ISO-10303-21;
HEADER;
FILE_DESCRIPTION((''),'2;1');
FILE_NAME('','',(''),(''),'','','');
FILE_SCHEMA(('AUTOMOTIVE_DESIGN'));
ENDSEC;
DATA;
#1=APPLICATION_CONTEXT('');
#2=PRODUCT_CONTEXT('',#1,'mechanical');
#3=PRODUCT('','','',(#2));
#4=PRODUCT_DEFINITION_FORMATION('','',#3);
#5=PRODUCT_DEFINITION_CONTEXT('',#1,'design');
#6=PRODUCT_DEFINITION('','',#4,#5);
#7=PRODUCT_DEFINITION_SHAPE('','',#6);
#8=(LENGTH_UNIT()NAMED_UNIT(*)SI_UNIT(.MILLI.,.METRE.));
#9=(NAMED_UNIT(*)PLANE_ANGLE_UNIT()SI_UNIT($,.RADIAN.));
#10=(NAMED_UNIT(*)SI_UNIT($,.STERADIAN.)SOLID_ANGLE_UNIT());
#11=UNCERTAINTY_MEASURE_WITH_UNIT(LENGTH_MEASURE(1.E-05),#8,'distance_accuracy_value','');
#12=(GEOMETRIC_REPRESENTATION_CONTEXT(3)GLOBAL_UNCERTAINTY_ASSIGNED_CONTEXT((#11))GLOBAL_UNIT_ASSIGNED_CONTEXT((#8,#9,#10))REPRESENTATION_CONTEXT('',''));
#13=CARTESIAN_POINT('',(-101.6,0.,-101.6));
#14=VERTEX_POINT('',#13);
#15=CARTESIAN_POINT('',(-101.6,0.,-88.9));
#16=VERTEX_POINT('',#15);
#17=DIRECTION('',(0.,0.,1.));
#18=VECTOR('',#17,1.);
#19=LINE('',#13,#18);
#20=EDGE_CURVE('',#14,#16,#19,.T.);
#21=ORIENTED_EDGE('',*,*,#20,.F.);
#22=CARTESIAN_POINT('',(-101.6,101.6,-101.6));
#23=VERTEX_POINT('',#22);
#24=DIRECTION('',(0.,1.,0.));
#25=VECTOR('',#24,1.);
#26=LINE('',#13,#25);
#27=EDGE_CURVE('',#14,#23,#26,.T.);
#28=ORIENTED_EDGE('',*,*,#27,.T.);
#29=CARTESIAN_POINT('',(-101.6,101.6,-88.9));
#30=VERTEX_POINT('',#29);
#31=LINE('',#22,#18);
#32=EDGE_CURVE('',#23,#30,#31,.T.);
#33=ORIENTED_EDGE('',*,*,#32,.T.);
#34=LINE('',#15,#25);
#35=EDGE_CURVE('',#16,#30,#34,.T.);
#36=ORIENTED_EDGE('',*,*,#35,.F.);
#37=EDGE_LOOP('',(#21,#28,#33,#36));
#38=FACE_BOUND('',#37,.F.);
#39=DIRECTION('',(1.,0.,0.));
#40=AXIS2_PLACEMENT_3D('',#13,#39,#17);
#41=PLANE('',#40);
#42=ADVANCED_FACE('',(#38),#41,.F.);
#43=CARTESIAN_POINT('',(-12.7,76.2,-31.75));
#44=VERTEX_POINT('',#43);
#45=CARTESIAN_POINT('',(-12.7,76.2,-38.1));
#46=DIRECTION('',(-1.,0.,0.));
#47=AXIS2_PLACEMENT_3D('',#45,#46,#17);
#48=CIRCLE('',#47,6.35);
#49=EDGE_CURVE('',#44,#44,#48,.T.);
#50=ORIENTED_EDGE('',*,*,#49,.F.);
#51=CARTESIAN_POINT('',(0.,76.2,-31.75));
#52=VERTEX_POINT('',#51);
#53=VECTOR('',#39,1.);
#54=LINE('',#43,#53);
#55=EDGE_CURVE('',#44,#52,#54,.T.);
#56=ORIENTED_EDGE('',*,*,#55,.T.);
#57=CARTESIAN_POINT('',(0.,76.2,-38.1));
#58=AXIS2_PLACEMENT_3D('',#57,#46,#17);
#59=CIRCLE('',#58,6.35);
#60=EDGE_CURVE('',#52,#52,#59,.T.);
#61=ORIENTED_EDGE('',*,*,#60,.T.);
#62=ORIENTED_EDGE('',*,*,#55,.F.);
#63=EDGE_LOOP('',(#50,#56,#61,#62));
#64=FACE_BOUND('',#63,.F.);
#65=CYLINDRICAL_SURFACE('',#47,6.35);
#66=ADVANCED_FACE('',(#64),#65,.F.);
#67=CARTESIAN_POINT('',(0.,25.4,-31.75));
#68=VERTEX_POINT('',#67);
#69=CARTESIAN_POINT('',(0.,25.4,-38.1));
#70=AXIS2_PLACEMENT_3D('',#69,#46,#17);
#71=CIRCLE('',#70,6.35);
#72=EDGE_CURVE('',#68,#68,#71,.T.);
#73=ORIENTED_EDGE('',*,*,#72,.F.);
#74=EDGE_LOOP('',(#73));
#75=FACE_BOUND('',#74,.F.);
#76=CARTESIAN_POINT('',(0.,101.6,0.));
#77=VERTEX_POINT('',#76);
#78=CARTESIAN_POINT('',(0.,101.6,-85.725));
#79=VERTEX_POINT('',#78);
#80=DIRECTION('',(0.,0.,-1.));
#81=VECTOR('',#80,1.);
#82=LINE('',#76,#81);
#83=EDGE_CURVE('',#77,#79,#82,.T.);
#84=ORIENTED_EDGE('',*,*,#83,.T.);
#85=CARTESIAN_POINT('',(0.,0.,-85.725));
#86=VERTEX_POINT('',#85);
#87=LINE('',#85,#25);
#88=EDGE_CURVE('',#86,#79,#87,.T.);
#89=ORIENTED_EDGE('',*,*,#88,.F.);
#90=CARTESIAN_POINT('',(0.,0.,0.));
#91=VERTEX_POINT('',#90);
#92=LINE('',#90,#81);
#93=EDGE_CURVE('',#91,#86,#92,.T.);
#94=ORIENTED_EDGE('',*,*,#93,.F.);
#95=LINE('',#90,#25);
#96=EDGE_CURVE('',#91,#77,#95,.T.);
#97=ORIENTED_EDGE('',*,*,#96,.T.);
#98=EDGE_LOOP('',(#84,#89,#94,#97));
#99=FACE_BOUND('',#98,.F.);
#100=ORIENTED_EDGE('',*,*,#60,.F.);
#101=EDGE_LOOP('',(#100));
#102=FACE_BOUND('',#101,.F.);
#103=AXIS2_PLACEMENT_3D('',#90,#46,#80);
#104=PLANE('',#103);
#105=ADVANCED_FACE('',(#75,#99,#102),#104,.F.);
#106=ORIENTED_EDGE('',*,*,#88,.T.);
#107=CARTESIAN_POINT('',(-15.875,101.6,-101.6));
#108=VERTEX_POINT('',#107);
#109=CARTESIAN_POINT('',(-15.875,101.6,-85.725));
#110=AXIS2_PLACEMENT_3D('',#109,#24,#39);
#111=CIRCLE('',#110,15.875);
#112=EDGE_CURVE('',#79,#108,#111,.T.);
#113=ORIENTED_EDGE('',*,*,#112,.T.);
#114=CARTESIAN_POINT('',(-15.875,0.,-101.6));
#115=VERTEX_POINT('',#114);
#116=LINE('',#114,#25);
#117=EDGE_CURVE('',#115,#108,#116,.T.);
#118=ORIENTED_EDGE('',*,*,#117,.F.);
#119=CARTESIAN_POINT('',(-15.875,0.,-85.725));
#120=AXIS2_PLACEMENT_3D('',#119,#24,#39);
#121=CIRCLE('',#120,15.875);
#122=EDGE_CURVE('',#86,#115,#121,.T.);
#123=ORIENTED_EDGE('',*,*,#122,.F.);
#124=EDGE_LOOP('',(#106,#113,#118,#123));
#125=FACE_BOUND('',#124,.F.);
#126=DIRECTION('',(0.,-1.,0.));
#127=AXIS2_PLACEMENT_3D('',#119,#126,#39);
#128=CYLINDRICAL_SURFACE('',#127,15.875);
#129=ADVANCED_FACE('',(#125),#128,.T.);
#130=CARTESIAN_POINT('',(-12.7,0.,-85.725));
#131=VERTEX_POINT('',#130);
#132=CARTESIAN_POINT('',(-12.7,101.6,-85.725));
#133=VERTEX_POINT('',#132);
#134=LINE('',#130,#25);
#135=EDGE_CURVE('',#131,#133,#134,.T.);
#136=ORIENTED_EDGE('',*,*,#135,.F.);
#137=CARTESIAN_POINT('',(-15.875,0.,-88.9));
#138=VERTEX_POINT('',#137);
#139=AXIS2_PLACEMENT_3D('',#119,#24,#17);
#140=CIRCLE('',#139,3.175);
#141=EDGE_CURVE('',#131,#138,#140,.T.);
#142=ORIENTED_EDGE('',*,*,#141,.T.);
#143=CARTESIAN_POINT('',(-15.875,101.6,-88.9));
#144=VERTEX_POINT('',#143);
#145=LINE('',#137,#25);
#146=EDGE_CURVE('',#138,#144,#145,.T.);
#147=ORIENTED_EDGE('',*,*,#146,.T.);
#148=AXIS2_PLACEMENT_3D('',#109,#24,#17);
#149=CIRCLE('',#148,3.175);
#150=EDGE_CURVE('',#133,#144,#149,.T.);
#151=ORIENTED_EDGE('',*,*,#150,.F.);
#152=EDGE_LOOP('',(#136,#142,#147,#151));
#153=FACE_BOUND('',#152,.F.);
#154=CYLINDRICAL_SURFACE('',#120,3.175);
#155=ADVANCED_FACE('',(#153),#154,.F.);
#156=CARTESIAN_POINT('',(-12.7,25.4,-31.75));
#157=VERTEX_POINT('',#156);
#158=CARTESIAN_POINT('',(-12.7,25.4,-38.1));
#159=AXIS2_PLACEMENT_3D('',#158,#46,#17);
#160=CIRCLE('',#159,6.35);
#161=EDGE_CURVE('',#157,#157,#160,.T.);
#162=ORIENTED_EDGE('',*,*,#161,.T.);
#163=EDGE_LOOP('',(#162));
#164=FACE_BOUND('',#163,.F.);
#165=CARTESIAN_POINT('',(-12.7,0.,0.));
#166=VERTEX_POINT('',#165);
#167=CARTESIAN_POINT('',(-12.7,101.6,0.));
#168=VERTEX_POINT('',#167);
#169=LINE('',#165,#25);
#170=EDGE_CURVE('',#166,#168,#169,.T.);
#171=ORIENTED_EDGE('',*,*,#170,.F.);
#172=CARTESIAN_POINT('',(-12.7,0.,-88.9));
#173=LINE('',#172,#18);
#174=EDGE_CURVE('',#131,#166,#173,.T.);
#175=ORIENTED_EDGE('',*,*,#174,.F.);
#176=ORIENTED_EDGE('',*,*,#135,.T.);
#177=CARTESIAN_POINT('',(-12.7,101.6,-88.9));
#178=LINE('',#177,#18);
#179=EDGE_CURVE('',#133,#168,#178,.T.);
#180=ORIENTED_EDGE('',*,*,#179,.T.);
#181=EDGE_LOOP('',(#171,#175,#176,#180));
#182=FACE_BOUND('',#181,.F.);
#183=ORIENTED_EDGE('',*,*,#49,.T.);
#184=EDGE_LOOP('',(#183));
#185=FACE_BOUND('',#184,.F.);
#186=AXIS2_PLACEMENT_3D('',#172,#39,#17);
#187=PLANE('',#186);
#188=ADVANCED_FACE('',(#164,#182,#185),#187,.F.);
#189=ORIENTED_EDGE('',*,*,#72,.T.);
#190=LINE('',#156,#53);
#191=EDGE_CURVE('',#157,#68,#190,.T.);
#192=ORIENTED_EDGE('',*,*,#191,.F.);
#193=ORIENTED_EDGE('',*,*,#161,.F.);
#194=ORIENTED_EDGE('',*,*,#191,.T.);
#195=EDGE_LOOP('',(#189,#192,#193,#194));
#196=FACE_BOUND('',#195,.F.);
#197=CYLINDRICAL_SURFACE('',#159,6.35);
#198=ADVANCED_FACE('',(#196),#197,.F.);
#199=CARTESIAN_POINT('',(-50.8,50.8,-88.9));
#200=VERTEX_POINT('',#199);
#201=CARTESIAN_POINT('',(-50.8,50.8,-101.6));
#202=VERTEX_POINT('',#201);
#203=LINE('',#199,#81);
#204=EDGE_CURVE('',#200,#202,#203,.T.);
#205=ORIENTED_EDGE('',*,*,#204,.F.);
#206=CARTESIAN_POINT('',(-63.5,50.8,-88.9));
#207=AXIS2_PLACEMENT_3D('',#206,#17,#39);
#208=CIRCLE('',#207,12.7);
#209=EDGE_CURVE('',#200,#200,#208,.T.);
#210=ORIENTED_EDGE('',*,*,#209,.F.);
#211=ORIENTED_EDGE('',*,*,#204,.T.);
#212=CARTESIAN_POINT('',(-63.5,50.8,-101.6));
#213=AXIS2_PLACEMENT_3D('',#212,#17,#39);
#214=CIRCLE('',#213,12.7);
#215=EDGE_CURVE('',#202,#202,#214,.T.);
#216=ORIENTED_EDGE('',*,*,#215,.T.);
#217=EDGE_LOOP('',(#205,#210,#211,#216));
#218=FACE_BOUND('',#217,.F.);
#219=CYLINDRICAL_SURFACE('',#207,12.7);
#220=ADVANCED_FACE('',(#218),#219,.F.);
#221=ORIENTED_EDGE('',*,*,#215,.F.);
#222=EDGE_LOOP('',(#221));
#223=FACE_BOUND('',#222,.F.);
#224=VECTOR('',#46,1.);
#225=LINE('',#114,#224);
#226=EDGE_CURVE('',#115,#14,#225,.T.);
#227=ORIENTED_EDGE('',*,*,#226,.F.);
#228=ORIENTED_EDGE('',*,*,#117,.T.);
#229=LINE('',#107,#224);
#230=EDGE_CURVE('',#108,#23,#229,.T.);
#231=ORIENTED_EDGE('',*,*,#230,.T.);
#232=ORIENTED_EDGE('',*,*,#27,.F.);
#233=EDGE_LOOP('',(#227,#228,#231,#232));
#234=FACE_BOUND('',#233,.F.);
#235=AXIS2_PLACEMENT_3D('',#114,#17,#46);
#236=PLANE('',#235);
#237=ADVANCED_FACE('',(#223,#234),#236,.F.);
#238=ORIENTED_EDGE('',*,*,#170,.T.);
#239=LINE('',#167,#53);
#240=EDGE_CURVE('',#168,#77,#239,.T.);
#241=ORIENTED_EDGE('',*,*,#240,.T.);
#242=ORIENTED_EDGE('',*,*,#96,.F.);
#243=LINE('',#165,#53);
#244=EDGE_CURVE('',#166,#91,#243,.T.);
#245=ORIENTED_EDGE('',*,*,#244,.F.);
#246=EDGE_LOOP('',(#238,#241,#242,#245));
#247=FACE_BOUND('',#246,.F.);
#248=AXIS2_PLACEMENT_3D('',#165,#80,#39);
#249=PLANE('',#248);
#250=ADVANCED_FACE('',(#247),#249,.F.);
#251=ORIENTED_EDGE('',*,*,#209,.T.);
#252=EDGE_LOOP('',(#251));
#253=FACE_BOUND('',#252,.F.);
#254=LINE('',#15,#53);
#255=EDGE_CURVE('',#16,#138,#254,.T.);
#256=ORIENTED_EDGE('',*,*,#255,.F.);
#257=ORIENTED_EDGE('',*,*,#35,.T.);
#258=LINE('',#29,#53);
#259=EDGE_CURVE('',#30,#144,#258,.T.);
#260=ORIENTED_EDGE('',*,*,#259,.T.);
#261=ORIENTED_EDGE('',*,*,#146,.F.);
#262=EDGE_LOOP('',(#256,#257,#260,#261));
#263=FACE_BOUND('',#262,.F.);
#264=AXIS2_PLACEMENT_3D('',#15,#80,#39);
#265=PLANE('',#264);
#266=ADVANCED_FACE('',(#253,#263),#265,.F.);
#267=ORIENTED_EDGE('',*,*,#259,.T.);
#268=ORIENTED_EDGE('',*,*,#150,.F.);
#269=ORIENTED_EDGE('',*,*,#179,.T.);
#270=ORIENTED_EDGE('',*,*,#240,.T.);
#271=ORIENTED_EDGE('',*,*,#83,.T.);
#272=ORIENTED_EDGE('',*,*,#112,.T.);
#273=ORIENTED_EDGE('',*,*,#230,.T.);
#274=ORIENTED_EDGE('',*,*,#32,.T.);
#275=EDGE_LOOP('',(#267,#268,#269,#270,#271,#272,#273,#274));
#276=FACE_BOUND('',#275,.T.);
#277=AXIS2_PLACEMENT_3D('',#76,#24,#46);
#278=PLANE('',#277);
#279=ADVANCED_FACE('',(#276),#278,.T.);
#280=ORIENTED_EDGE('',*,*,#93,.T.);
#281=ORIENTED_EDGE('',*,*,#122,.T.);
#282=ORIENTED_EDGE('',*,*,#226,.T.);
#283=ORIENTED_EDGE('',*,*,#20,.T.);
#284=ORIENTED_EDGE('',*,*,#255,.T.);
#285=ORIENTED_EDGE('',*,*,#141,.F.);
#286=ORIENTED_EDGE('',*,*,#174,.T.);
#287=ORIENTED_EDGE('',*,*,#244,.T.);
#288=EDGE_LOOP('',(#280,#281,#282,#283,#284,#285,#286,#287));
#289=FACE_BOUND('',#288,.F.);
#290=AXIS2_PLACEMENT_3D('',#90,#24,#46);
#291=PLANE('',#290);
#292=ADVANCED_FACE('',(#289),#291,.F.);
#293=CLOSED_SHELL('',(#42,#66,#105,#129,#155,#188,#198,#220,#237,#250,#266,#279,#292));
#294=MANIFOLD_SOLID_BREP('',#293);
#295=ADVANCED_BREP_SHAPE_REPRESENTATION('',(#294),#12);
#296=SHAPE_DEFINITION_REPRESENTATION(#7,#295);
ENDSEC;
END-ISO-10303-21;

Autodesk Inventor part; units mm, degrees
ref_plane "YZ Plane" through (0, 0, 0) normal (1, 0, 0) x (0, 1, 0)
ref_plane "XZ Plane" through (0, 0, 0) normal (0, 1, 0) x (-1, 0, 0)
ref_plane "XY Plane" through (0, 0, 0) normal (0, 0, 1) x (1, 0, 0)
sketch "Sketch1" plane through (0, 0, 0) normal (0, 1, 0) x (-1, 0, 0)
  line L0 (0, 0) -> (0, -85.725)
  line L1 (15.875, -101.6) -> (101.6, -101.6)
  line L2 (101.6, -101.6) -> (101.6, -88.9)
  line L3 (101.6, -88.9) -> (12.7, -88.9)
  line L4 (12.7, -88.9) -> (12.7, 0)
  line L5 (12.7, 0) -> (0, 0)
  arc A0 (0, -85.725) -> (15.875, -101.6) centre (15.875, -85.725) ccw
  arc A1 (0, -85.725) -> (15.875, -101.6) centre (15.875, -85.725) ccw
  point P0 (0, -101.6)
  dimension "d0" = 101.6
  dimension "d1" = 101.6
  dimension "d2" = 12.7
  dimension "d3" = 12.7
  dimension "d4" = 15.875
  dimension "d5" = 15.875
extrude "Extrusion1" add sketch "Sketch1" along normal blind 101.6
sketch "Sketch2" plane through (-12.7, 0, -88.9) normal (-1, 0, 0) x (0, 0, 1)
  circle A0 centre (50.8, 25.4) radius 6.35
  circle A1 centre (50.8, 76.2) radius 6.35
  line L0 (0, 0) -> (88.9, 0) projected
  line L1 (88.9, 0) -> (88.9, 101.6) projected
  dimension "d8" = 12.7
  dimension "d9" = 12.7
  dimension "d10" = 25.4
  dimension "d11" = 50.8
  dimension "d12" = 38.1
  dimension "d13" = 38.1
extrude "Extrusion2" cut sketch "Sketch2" against normal blind 101.6
sketch "Sketch3" plane through (-101.6, 0, -88.9) normal (0, 0, 1) x (1, 0, 0)
  circle A0 centre (38.1, 50.8) radius 12.7
  line L0 (0, 0) -> (0, 101.6) projected
  line L1 (0, 101.6) -> (88.9, 101.6) projected
  point P0 (101.6, 0)
  dimension "d16" = 25.4
  dimension "d17" = 38.1
  dimension "d18" = 50.8
extrude "Extrusion3" cut sketch "Sketch3" against normal blind 101.6
fillet "Fillet1" radius 3.175 1 edges at (-12.7, 50.8, -88.9)
properties part number "Soporte"
